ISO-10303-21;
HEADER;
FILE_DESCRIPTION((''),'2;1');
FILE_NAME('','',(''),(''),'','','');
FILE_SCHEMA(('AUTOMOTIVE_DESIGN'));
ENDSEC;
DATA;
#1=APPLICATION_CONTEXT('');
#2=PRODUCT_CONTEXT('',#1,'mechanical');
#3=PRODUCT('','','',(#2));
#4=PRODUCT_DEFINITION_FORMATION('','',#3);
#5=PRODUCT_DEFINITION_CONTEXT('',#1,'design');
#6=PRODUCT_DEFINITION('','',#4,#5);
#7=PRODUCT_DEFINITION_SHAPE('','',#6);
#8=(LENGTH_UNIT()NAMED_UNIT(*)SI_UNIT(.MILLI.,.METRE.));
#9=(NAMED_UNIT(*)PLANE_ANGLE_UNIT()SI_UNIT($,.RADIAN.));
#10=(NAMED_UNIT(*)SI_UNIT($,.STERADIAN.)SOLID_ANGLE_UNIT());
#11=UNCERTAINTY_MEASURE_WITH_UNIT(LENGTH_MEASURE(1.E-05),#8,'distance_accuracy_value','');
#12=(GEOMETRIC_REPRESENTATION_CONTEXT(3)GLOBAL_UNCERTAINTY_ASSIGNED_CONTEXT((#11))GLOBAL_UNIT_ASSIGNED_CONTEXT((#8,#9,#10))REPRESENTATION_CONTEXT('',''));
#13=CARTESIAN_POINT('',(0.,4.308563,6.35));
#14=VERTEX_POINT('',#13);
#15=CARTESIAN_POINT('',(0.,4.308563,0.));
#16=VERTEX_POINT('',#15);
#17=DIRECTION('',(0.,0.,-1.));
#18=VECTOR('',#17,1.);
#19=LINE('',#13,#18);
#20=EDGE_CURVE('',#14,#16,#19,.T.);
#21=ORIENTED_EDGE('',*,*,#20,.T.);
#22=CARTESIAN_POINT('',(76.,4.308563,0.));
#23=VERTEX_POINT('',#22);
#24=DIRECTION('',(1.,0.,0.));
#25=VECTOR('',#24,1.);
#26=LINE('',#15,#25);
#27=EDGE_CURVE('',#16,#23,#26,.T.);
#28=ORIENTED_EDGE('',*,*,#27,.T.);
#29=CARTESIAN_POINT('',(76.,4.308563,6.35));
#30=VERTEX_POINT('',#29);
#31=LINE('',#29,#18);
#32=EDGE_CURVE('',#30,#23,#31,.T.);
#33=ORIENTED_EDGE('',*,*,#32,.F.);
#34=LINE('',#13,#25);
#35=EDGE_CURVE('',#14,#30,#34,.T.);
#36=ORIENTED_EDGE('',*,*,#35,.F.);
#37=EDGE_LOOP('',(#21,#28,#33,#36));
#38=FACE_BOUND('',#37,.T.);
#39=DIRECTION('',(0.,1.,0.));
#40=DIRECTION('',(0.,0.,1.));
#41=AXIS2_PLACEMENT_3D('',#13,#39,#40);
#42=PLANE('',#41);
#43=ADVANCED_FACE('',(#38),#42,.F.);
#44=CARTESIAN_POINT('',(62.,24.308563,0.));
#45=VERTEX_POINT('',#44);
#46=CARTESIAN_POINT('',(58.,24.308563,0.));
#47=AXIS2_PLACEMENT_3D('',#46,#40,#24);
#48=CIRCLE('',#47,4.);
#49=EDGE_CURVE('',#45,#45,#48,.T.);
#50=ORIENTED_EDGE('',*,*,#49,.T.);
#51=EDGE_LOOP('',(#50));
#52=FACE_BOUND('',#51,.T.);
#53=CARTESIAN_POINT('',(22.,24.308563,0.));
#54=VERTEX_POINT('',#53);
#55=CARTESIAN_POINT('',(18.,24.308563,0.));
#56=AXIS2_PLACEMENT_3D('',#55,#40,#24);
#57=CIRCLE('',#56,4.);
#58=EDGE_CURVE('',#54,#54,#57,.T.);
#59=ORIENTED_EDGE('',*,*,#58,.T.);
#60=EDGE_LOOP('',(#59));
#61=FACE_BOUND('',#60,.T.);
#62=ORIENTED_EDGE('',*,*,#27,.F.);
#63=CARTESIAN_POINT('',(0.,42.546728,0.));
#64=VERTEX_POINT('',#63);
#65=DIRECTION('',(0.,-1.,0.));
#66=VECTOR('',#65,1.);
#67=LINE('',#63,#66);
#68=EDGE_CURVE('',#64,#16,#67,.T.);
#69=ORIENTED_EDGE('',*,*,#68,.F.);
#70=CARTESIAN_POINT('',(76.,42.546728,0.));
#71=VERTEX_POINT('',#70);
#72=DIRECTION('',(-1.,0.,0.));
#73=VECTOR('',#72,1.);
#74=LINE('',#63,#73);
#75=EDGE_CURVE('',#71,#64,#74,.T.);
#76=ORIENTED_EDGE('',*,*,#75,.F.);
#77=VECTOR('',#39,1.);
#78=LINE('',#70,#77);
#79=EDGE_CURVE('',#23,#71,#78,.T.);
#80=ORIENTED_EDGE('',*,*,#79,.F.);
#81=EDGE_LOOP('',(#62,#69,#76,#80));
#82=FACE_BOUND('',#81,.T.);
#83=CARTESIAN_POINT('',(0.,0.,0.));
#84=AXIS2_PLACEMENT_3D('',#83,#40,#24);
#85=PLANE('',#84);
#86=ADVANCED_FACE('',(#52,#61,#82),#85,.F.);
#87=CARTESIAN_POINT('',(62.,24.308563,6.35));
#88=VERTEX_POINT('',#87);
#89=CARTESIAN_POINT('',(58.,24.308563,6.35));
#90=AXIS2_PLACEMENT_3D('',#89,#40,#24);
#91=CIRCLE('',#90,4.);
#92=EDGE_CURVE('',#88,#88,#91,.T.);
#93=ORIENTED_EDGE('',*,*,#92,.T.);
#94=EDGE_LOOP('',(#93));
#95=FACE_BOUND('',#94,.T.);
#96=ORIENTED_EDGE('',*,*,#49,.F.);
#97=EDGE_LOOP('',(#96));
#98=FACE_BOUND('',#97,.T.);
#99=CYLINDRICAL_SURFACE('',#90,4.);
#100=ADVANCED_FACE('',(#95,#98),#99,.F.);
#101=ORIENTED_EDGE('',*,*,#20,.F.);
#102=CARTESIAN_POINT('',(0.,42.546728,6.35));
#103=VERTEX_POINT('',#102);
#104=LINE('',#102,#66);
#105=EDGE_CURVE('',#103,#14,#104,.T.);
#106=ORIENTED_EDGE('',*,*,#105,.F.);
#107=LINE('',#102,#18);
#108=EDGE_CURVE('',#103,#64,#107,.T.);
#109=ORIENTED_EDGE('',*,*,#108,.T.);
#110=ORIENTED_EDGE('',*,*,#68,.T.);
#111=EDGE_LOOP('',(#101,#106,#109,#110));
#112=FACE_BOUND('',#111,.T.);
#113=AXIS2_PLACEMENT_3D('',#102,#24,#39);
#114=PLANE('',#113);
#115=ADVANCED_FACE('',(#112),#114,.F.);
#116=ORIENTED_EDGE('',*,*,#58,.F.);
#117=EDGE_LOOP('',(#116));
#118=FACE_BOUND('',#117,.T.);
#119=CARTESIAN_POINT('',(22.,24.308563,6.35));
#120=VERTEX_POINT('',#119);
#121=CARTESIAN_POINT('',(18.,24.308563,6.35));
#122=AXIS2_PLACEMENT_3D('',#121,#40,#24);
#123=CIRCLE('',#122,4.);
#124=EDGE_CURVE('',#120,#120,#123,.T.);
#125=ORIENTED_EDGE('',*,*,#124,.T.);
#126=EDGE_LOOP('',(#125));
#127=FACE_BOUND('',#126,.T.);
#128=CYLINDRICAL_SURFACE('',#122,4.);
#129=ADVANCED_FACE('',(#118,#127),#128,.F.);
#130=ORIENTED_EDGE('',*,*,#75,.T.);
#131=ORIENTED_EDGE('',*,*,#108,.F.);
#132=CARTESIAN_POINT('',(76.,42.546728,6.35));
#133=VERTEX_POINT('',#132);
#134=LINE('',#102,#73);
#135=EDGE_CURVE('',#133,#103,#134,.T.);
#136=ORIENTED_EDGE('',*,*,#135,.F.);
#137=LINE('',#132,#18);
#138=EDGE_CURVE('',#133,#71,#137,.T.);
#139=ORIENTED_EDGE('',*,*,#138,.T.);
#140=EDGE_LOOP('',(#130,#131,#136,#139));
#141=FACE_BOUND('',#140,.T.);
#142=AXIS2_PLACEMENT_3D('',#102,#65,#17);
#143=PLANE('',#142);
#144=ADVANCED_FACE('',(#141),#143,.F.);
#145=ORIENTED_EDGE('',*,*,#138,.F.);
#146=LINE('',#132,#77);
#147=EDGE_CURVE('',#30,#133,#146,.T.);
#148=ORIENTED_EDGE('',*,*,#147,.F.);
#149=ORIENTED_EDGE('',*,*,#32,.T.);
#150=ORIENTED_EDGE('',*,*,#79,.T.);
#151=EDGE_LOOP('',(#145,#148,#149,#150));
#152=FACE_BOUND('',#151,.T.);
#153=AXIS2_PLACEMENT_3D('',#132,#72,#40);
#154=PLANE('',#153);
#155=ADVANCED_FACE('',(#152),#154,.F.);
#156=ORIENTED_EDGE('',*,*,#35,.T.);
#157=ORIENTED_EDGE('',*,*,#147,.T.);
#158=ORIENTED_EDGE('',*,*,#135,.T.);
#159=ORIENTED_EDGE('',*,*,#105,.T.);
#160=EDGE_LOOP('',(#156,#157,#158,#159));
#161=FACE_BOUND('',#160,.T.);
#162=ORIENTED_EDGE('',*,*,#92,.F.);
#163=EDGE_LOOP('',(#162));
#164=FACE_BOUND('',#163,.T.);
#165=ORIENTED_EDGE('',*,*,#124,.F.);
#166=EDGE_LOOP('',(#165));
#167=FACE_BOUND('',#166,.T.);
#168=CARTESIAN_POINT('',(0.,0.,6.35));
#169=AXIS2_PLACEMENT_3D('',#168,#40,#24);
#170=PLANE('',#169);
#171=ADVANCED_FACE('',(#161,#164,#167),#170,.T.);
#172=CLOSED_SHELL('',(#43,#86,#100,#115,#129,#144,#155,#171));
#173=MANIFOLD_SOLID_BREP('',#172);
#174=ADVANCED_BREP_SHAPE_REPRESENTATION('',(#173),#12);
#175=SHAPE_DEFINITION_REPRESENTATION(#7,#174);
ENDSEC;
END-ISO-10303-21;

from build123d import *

# Parameters (mm, degrees)
SKETCH1_W             = 76
SKETCH1_H             = 38.238165328
SKETCH1_R             = 1.27
BOSS_EXTRUDE1_DEPTH   = 6.35
F_8_0MM_DOWEL_HOLE1_D = 8


with BuildPart() as part:
    # Sketch1 → Boss-Extrude1 (new body)
    with BuildSketch(Plane.XY):
        with Locations((38, 23.427645759)):
            Rectangle(SKETCH1_W, SKETCH1_H)
        with Locations((18, 24.308563095)):
            Circle(SKETCH1_R, mode=Mode.SUBTRACT)
        with Locations((58, 24.308563095)):
            Circle(SKETCH1_R, mode=Mode.SUBTRACT)
    extrude(amount=BOSS_EXTRUDE1_DEPTH)

    # Ø8.0mm Dowel Hole1 (through all)
    with Locations(Plane.XY.offset(6.35)):
        with Locations((18, 24.308563095), (58, 24.308563095)):
            Hole(F_8_0MM_DOWEL_HOLE1_D / 2)


solid = part.part
